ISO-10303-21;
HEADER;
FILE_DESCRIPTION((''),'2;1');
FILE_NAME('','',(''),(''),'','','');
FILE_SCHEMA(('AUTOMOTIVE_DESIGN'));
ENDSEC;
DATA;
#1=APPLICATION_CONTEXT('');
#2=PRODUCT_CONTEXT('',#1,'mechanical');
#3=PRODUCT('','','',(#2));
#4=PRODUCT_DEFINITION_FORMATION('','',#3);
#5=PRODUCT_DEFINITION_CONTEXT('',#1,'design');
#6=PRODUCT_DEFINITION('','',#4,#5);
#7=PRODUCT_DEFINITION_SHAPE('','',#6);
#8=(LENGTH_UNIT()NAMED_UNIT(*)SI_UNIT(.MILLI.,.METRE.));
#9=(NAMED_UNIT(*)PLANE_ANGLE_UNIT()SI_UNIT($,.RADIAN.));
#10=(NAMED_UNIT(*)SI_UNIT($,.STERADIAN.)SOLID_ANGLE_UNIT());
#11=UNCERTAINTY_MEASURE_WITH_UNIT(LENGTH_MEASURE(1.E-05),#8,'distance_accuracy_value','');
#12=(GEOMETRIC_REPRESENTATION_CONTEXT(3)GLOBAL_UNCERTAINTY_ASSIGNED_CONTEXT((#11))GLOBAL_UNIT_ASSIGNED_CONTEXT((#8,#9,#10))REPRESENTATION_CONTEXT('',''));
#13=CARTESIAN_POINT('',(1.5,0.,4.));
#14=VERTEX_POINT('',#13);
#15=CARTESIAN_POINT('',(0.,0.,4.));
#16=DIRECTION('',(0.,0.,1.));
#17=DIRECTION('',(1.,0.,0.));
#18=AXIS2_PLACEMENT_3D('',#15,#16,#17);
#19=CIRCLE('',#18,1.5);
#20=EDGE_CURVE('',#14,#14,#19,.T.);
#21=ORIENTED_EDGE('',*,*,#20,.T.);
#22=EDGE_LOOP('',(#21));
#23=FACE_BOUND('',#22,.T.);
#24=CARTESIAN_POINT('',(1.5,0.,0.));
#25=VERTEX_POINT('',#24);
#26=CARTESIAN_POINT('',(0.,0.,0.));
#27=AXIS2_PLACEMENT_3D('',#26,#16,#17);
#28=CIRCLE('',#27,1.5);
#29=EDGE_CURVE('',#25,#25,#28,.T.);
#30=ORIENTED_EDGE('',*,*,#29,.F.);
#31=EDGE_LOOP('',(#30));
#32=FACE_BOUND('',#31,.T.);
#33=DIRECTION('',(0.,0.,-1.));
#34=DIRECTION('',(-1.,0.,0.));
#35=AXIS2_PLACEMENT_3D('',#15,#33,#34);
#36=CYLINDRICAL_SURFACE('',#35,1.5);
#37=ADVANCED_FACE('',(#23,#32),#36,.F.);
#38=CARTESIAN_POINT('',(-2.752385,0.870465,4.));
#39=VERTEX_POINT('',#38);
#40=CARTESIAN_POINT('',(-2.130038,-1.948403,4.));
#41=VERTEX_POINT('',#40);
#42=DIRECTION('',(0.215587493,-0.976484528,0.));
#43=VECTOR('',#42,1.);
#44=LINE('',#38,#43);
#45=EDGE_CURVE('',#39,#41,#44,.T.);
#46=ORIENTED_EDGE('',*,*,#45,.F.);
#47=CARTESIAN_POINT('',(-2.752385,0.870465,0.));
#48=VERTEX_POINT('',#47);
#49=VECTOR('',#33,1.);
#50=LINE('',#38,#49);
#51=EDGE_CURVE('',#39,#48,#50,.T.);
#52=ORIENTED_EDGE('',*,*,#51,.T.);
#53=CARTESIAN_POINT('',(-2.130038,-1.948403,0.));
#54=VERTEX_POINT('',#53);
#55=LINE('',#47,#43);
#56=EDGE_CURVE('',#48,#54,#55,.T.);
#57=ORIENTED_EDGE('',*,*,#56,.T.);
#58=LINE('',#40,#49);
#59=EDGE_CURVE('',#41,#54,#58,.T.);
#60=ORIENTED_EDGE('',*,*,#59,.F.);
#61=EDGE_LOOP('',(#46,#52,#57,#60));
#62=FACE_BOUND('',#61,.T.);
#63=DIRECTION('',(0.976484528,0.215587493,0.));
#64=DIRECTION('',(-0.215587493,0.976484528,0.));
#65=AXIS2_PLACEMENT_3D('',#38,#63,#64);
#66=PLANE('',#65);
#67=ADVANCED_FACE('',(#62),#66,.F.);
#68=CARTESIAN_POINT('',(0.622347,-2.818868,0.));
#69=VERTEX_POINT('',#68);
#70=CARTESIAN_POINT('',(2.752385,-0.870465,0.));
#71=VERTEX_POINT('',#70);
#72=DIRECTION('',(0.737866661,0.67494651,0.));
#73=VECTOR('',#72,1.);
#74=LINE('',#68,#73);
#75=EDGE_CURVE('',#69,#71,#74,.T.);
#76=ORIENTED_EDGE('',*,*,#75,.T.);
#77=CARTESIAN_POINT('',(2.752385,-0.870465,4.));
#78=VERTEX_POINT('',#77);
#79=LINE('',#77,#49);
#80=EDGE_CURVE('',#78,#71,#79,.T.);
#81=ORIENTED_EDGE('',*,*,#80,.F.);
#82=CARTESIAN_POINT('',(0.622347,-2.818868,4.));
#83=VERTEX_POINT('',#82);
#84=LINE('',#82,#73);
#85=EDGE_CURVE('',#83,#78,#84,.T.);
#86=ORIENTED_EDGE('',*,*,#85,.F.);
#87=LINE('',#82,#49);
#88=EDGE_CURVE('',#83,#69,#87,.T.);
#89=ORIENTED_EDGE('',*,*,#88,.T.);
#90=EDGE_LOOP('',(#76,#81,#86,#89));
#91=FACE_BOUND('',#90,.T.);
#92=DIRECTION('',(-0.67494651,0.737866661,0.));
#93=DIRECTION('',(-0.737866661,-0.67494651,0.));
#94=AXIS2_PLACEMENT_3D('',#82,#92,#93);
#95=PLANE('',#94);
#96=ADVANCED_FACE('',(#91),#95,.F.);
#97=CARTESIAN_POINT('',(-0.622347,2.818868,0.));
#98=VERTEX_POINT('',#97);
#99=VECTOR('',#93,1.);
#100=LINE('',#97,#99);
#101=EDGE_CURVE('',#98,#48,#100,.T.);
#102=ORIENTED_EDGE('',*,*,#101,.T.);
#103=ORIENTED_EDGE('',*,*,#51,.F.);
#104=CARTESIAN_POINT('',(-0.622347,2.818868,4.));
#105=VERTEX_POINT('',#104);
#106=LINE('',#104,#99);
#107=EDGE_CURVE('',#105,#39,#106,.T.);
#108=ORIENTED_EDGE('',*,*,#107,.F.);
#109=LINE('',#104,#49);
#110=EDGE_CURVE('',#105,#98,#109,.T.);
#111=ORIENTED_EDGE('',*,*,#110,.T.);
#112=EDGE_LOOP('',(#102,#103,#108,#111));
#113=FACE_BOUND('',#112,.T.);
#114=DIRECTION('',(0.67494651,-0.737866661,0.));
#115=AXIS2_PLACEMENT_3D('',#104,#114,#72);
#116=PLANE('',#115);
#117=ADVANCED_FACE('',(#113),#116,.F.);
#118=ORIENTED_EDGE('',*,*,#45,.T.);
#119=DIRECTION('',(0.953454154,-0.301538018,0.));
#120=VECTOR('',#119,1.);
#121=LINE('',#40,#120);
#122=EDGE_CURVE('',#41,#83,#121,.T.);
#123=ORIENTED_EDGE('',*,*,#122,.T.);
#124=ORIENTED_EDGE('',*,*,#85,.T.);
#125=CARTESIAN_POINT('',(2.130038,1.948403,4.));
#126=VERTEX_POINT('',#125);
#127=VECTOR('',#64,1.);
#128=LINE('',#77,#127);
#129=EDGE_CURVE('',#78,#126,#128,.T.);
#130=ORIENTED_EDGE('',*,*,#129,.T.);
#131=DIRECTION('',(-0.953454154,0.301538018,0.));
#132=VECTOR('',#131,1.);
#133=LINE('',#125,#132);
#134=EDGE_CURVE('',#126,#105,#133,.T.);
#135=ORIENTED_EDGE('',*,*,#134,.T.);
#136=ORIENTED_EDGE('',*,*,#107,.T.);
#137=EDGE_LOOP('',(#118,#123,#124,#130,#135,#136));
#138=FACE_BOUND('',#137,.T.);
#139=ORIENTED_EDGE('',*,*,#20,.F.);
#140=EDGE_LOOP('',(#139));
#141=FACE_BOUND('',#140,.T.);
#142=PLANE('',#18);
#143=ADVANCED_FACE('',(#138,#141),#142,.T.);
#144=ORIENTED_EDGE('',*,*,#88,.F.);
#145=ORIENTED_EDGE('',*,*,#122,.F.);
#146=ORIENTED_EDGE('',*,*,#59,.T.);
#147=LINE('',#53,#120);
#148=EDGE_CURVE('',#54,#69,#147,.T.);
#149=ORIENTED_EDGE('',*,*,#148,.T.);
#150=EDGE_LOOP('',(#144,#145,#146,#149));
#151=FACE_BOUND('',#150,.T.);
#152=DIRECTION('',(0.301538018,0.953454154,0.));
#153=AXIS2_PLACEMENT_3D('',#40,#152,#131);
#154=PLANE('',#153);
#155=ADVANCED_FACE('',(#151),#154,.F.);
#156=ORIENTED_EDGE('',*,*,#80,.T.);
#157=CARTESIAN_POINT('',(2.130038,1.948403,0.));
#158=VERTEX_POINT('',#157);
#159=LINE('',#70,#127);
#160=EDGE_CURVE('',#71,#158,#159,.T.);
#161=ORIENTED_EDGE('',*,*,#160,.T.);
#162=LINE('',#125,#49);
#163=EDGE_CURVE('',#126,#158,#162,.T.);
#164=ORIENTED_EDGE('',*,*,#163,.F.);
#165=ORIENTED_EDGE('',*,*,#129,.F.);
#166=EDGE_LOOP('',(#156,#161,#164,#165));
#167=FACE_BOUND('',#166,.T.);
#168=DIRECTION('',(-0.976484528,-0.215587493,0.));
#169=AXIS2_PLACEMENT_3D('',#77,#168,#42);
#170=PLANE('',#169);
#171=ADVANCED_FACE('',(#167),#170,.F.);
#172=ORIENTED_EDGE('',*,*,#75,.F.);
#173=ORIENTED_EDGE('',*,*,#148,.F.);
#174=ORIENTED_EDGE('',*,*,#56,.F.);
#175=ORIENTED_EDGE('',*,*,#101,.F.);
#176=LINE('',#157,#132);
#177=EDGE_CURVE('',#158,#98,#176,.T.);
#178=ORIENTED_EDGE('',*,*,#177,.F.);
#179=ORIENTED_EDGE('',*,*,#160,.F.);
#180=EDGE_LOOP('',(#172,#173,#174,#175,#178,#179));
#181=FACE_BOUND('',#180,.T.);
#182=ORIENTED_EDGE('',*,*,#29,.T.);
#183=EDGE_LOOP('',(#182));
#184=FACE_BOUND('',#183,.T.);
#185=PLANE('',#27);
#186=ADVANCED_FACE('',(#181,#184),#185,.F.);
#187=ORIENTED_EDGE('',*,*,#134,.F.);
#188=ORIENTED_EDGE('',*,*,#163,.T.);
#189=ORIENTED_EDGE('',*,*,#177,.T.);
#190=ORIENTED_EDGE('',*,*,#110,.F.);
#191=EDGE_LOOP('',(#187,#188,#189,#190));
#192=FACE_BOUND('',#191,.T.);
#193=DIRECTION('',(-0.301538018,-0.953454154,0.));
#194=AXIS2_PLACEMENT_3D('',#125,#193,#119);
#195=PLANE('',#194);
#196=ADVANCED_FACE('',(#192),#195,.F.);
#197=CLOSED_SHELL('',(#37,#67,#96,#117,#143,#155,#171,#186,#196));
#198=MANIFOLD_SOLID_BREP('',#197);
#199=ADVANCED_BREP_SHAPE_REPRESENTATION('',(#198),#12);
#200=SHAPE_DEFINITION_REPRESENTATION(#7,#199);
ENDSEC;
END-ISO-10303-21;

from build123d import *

# Parameters (mm, degrees)
SKETCH_1_R      = 1.5
EXTRUDE_1_DEPTH = 4


with BuildPart() as part:
    # 草图1 → 凸台-拉伸1 (new body)
    with BuildSketch(Plane.XY):
        Polygon((-0.622347486, 2.818868025), (-2.752385062, 0.870465279), (-2.130037576, -1.948402745), (0.622347486, -2.818868025), (2.752385062, -0.870465279), (2.130037576, 1.948402745), align=None)
        Circle(SKETCH_1_R, mode=Mode.SUBTRACT)
    extrude(amount=EXTRUDE_1_DEPTH)


solid = part.part
